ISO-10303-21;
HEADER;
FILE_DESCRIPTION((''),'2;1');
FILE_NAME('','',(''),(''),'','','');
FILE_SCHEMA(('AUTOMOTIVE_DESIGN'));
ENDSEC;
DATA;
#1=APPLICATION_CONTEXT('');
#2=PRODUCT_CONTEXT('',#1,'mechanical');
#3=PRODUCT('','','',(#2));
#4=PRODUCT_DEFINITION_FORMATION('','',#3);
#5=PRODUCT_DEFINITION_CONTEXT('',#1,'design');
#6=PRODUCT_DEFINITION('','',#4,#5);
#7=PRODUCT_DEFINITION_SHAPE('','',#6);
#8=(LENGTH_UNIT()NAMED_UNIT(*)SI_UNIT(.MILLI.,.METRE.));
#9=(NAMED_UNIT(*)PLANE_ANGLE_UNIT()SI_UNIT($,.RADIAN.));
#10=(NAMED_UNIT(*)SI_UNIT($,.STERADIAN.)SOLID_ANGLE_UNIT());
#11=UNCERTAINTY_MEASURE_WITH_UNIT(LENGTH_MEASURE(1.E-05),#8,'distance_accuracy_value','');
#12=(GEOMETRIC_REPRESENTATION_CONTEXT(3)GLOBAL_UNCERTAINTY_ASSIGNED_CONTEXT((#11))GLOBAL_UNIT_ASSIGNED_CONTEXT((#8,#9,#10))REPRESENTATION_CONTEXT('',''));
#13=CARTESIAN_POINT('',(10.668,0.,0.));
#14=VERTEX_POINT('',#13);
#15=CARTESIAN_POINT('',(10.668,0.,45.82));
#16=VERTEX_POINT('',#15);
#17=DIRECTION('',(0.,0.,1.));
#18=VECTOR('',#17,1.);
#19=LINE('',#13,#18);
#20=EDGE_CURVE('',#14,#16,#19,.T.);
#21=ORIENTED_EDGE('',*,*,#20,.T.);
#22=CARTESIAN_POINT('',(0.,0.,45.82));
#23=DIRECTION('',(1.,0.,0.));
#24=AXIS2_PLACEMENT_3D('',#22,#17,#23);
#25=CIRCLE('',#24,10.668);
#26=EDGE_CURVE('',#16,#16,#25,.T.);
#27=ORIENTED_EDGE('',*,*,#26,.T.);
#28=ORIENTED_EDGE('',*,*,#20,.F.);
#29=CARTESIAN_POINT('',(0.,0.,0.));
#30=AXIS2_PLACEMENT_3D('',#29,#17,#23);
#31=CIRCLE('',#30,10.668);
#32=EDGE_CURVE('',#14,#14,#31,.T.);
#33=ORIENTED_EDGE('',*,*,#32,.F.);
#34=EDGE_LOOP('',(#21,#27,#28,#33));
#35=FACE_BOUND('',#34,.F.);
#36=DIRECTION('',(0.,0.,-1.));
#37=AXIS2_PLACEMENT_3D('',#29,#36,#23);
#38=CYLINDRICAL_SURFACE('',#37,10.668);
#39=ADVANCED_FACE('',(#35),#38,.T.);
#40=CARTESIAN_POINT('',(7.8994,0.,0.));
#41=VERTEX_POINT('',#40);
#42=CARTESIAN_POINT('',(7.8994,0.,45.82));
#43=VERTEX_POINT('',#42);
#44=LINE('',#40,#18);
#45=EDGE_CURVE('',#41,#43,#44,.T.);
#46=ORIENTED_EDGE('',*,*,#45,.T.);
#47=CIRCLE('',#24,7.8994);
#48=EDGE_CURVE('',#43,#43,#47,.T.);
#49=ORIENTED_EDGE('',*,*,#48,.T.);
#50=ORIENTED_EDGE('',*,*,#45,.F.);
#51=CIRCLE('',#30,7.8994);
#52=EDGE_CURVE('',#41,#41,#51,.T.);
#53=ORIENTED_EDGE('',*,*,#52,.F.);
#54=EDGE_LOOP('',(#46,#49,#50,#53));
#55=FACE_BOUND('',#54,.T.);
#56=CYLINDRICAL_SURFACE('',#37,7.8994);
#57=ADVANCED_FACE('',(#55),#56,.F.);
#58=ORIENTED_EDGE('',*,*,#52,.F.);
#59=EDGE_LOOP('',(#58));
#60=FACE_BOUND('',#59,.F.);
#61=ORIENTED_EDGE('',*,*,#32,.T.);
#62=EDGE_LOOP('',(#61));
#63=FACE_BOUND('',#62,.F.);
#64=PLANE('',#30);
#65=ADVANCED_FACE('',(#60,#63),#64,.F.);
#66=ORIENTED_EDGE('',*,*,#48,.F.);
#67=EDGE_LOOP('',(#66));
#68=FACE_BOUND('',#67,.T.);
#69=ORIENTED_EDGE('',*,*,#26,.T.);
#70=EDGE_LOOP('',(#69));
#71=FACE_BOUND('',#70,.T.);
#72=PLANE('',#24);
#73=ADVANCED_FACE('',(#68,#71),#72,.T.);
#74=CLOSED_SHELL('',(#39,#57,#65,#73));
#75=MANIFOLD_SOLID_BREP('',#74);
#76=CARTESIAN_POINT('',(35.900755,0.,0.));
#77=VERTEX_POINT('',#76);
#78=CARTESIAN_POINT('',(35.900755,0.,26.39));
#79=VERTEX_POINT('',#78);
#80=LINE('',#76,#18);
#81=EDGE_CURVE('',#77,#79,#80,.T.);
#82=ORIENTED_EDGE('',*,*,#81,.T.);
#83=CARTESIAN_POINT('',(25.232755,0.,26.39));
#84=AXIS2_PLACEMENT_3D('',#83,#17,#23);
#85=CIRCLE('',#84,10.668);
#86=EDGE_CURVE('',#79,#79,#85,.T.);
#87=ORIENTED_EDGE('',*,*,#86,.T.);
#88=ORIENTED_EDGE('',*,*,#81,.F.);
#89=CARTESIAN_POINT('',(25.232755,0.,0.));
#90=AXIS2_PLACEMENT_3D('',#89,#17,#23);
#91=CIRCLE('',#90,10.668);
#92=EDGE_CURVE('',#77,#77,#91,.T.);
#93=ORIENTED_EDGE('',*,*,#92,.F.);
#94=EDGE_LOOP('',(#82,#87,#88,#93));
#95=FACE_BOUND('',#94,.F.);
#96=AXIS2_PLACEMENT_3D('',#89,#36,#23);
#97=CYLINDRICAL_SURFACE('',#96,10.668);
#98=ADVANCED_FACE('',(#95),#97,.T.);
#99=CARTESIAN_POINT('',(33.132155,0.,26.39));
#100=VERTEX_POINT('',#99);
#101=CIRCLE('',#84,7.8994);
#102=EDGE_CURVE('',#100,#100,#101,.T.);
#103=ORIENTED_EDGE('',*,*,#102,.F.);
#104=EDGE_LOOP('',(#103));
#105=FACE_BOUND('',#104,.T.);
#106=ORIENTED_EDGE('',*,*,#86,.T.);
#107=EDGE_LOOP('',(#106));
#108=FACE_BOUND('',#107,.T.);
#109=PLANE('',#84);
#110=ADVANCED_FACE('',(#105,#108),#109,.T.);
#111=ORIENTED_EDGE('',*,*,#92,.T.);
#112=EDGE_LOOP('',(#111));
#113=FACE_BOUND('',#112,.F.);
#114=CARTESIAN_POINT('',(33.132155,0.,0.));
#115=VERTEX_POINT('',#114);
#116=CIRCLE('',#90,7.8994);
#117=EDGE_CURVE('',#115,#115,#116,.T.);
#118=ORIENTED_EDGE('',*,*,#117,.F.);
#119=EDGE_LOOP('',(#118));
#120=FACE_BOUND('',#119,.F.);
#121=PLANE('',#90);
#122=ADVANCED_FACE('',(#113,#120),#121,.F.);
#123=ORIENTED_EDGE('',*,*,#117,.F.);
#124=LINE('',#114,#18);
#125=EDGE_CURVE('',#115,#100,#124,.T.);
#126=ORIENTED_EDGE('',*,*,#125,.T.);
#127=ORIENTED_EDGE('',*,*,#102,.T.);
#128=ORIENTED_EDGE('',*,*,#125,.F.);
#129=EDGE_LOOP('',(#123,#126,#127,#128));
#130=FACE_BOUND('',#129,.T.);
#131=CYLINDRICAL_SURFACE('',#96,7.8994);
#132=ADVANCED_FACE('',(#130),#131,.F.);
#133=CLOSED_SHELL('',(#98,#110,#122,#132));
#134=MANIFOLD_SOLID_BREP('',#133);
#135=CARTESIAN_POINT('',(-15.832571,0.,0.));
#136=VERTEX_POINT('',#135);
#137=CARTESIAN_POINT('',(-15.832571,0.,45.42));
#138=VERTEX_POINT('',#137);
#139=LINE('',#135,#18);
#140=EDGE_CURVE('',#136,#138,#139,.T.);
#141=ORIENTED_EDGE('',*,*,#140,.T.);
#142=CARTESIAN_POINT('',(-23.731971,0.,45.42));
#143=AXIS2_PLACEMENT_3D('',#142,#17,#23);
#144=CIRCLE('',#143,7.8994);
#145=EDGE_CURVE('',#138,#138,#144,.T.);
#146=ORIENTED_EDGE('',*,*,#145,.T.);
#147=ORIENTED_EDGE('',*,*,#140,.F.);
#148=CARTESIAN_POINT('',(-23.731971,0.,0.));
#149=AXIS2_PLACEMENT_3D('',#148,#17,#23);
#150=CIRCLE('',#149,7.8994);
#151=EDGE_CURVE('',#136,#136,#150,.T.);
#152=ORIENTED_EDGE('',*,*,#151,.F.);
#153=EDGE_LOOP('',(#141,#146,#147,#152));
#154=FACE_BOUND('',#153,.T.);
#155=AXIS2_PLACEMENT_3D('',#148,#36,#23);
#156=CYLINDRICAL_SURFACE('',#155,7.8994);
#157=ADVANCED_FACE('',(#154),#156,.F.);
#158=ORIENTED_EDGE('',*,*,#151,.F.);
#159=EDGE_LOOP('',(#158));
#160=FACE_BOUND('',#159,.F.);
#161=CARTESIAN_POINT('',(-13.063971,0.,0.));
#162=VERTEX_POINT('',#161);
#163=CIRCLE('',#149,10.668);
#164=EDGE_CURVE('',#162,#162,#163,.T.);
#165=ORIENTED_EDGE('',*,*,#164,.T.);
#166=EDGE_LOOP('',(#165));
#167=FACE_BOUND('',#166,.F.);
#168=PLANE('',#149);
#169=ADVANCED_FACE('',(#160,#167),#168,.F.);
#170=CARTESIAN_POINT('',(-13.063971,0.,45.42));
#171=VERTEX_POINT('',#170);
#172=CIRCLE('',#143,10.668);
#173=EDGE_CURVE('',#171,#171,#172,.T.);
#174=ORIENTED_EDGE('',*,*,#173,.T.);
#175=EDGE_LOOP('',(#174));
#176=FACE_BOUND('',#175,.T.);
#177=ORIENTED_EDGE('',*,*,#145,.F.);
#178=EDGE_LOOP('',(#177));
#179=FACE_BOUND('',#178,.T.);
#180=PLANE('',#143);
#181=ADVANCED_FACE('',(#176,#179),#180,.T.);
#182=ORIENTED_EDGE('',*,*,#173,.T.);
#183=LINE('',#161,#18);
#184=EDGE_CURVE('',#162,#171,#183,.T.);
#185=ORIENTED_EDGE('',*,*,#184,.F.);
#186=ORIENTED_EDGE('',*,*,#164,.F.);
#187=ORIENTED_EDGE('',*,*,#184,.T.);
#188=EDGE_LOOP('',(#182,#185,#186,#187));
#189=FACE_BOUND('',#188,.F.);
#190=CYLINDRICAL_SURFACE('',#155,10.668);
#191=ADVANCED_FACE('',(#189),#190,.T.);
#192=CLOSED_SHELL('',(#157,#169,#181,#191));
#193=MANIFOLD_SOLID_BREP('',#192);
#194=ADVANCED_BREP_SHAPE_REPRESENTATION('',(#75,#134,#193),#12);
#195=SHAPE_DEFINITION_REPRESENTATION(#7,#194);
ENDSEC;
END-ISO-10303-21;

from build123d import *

# Parameters (mm, degrees)
F0_R     = 10.668
F0_R_2   = 7.8994
F1_DEPTH = 45.82
F2_R     = 10.668
F2_R_2   = 7.8994
F3_DEPTH = 45.42
F4_R     = 10.668
F4_R_2   = 7.8994
F5_DEPTH = 26.39


with BuildPart() as f1:
    # F0 (on Top) → F1 (new body)
    with BuildSketch(Plane.XY):
        Circle(F0_R)
        Circle(F0_R_2, mode=Mode.SUBTRACT)
    extrude(amount=F1_DEPTH)


with BuildPart() as f3:
    # F2 (on Top) → F3 (new body)
    with BuildSketch(Plane.XY):
        with Locations((-23.731971, 0)):
            Circle(F2_R)
        with Locations((-23.731971, 0)):
            Circle(F2_R_2, mode=Mode.SUBTRACT)
    extrude(amount=F3_DEPTH)


with BuildPart() as f5:
    # F4 (on Top) → F5 (new body)
    with BuildSketch(Plane.XY):
        with Locations((25.232755, 0)):
            Circle(F4_R)
        with Locations((25.232755, 0)):
            Circle(F4_R_2, mode=Mode.SUBTRACT)
    extrude(amount=F5_DEPTH)


solid = Compound([f1.part, f3.part, f5.part])
